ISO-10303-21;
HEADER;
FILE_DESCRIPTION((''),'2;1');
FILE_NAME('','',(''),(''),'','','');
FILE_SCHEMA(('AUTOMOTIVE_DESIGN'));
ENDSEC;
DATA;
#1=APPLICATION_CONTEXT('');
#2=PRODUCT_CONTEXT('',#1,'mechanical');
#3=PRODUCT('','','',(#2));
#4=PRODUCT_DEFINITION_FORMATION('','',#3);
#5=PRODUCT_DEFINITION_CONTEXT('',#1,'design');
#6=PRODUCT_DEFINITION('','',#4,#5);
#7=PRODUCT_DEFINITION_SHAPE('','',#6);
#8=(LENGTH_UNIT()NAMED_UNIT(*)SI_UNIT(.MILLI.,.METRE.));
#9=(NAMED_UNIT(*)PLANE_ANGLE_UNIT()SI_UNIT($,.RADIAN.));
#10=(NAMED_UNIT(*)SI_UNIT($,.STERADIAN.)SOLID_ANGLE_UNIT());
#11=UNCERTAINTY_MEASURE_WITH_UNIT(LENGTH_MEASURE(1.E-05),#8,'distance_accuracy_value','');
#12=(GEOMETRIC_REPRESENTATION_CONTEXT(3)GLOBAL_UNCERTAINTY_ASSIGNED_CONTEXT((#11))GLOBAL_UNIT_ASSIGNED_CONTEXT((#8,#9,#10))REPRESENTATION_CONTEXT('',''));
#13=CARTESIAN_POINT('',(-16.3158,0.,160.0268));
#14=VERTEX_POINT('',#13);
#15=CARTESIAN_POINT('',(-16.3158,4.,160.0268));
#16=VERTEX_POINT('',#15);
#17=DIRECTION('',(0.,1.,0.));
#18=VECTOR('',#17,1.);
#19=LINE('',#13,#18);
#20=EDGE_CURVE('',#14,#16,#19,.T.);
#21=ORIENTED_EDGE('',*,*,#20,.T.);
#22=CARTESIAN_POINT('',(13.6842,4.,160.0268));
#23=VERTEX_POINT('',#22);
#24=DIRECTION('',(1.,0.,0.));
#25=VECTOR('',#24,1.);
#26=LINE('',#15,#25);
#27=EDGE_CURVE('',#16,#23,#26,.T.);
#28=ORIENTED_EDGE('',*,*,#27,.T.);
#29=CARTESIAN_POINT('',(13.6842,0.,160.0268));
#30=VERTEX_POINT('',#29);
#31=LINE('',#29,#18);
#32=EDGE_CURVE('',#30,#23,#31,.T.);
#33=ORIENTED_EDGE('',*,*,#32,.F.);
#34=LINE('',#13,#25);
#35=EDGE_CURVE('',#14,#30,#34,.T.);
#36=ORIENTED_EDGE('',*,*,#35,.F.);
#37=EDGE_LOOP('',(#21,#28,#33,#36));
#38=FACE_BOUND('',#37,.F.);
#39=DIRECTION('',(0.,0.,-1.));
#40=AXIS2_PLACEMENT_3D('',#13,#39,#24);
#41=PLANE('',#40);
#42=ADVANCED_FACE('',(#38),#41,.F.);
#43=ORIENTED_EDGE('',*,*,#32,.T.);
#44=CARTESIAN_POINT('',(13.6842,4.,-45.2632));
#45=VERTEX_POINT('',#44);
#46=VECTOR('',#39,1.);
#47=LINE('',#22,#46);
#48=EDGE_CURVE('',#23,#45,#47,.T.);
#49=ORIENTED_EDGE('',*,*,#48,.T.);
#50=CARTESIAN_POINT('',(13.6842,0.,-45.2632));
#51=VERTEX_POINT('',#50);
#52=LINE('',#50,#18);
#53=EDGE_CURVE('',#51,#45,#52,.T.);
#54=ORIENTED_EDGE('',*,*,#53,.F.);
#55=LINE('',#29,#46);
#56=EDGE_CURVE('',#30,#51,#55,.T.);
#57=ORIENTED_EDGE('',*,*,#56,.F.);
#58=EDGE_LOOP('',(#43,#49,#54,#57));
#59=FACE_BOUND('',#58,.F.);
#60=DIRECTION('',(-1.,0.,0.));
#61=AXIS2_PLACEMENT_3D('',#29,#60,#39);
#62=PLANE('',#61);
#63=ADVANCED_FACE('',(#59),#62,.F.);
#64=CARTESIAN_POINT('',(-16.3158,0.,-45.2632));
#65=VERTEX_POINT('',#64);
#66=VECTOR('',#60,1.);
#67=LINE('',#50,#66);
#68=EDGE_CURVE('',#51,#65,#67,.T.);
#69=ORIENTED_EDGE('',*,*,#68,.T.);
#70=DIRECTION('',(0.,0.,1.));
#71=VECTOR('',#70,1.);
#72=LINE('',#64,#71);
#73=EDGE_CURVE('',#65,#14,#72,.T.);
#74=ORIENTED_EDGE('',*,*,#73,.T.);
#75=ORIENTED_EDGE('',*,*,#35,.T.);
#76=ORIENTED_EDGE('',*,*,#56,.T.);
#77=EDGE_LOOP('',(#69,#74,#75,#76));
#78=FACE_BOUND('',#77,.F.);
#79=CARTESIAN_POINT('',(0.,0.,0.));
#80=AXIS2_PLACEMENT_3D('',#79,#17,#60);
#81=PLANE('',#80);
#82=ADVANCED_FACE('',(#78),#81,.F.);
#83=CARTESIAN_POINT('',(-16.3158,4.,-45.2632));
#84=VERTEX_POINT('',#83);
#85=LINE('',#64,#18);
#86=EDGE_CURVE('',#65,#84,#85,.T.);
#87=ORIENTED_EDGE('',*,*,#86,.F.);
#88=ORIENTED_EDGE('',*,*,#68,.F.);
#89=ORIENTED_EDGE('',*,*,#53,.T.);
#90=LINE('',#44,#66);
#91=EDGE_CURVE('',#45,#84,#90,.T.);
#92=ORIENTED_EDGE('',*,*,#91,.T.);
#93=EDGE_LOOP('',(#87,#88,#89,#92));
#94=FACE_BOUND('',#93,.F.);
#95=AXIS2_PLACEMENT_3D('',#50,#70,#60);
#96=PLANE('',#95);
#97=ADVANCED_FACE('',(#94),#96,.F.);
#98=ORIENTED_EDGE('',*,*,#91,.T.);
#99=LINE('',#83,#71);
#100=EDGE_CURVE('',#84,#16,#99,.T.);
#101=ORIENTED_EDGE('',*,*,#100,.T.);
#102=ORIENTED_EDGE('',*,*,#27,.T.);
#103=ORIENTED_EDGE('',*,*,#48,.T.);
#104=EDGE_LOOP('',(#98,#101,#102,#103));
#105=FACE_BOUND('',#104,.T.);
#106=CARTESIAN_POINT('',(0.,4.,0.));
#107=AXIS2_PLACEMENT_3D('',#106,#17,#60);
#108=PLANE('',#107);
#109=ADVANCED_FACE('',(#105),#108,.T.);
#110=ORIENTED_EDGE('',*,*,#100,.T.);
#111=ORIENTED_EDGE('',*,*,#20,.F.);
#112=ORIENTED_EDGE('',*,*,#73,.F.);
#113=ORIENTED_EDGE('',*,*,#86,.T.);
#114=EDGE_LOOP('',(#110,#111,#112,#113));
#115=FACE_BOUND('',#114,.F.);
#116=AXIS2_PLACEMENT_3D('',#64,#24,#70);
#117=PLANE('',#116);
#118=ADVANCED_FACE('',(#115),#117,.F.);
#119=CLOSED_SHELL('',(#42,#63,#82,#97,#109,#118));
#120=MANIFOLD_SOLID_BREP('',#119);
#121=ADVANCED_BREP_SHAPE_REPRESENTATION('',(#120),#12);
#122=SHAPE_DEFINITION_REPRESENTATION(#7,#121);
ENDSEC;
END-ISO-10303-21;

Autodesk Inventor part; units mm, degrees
ref_plane "YZ Plane" through (0, 0, 0) normal (1, 0, 0) x (0, 1, 0)
ref_plane "XZ Plane" through (0, 0, 0) normal (0, 1, 0) x (-1, 0, 0)
ref_plane "XY Plane" through (0, 0, 0) normal (0, 0, 1) x (1, 0, 0)
sketch "Sketch9" plane through (0, 0, 0) normal (0, 1, 0) x (-1, 0, 0)
  line L0 (16.3158, 160.0268) -> (-13.6842, 160.0268)
  line L1 (-13.6842, 160.0268) -> (-13.6842, -45.2632)
  line L2 (-13.6842, -45.2632) -> (16.3158, -45.2632)
  line L3 (16.3158, -45.2632) -> (16.3158, 160.0268)
  point P0 (0, 0)
  dimension "d171" = 30
  dimension "d172" = 205.29
extrude "Extrusion10" add sketch "Sketch9" along normal blind 4
equation "\"BendRadius\" = Thickness"
equation "\"BendReliefWidth\" = Thickness"
equation "\"BendReliefDepth\" = 0.5 * Thickness"
equation "\"CornerReliefSize\" = 4 * Thickness"
equation "\"MinimumRemnant\" = 2 * Thickness"
equation "\"TransitionRadius\" = BendRadius"
equation "\"JacobiRadiusSize\" = BendRadius"
equation "\"GapSize\" = Thickness"
equation "\"Thickness\" = 0.5"
properties part number "Banding Level A-C Ends" material "Wood (Maple)"
